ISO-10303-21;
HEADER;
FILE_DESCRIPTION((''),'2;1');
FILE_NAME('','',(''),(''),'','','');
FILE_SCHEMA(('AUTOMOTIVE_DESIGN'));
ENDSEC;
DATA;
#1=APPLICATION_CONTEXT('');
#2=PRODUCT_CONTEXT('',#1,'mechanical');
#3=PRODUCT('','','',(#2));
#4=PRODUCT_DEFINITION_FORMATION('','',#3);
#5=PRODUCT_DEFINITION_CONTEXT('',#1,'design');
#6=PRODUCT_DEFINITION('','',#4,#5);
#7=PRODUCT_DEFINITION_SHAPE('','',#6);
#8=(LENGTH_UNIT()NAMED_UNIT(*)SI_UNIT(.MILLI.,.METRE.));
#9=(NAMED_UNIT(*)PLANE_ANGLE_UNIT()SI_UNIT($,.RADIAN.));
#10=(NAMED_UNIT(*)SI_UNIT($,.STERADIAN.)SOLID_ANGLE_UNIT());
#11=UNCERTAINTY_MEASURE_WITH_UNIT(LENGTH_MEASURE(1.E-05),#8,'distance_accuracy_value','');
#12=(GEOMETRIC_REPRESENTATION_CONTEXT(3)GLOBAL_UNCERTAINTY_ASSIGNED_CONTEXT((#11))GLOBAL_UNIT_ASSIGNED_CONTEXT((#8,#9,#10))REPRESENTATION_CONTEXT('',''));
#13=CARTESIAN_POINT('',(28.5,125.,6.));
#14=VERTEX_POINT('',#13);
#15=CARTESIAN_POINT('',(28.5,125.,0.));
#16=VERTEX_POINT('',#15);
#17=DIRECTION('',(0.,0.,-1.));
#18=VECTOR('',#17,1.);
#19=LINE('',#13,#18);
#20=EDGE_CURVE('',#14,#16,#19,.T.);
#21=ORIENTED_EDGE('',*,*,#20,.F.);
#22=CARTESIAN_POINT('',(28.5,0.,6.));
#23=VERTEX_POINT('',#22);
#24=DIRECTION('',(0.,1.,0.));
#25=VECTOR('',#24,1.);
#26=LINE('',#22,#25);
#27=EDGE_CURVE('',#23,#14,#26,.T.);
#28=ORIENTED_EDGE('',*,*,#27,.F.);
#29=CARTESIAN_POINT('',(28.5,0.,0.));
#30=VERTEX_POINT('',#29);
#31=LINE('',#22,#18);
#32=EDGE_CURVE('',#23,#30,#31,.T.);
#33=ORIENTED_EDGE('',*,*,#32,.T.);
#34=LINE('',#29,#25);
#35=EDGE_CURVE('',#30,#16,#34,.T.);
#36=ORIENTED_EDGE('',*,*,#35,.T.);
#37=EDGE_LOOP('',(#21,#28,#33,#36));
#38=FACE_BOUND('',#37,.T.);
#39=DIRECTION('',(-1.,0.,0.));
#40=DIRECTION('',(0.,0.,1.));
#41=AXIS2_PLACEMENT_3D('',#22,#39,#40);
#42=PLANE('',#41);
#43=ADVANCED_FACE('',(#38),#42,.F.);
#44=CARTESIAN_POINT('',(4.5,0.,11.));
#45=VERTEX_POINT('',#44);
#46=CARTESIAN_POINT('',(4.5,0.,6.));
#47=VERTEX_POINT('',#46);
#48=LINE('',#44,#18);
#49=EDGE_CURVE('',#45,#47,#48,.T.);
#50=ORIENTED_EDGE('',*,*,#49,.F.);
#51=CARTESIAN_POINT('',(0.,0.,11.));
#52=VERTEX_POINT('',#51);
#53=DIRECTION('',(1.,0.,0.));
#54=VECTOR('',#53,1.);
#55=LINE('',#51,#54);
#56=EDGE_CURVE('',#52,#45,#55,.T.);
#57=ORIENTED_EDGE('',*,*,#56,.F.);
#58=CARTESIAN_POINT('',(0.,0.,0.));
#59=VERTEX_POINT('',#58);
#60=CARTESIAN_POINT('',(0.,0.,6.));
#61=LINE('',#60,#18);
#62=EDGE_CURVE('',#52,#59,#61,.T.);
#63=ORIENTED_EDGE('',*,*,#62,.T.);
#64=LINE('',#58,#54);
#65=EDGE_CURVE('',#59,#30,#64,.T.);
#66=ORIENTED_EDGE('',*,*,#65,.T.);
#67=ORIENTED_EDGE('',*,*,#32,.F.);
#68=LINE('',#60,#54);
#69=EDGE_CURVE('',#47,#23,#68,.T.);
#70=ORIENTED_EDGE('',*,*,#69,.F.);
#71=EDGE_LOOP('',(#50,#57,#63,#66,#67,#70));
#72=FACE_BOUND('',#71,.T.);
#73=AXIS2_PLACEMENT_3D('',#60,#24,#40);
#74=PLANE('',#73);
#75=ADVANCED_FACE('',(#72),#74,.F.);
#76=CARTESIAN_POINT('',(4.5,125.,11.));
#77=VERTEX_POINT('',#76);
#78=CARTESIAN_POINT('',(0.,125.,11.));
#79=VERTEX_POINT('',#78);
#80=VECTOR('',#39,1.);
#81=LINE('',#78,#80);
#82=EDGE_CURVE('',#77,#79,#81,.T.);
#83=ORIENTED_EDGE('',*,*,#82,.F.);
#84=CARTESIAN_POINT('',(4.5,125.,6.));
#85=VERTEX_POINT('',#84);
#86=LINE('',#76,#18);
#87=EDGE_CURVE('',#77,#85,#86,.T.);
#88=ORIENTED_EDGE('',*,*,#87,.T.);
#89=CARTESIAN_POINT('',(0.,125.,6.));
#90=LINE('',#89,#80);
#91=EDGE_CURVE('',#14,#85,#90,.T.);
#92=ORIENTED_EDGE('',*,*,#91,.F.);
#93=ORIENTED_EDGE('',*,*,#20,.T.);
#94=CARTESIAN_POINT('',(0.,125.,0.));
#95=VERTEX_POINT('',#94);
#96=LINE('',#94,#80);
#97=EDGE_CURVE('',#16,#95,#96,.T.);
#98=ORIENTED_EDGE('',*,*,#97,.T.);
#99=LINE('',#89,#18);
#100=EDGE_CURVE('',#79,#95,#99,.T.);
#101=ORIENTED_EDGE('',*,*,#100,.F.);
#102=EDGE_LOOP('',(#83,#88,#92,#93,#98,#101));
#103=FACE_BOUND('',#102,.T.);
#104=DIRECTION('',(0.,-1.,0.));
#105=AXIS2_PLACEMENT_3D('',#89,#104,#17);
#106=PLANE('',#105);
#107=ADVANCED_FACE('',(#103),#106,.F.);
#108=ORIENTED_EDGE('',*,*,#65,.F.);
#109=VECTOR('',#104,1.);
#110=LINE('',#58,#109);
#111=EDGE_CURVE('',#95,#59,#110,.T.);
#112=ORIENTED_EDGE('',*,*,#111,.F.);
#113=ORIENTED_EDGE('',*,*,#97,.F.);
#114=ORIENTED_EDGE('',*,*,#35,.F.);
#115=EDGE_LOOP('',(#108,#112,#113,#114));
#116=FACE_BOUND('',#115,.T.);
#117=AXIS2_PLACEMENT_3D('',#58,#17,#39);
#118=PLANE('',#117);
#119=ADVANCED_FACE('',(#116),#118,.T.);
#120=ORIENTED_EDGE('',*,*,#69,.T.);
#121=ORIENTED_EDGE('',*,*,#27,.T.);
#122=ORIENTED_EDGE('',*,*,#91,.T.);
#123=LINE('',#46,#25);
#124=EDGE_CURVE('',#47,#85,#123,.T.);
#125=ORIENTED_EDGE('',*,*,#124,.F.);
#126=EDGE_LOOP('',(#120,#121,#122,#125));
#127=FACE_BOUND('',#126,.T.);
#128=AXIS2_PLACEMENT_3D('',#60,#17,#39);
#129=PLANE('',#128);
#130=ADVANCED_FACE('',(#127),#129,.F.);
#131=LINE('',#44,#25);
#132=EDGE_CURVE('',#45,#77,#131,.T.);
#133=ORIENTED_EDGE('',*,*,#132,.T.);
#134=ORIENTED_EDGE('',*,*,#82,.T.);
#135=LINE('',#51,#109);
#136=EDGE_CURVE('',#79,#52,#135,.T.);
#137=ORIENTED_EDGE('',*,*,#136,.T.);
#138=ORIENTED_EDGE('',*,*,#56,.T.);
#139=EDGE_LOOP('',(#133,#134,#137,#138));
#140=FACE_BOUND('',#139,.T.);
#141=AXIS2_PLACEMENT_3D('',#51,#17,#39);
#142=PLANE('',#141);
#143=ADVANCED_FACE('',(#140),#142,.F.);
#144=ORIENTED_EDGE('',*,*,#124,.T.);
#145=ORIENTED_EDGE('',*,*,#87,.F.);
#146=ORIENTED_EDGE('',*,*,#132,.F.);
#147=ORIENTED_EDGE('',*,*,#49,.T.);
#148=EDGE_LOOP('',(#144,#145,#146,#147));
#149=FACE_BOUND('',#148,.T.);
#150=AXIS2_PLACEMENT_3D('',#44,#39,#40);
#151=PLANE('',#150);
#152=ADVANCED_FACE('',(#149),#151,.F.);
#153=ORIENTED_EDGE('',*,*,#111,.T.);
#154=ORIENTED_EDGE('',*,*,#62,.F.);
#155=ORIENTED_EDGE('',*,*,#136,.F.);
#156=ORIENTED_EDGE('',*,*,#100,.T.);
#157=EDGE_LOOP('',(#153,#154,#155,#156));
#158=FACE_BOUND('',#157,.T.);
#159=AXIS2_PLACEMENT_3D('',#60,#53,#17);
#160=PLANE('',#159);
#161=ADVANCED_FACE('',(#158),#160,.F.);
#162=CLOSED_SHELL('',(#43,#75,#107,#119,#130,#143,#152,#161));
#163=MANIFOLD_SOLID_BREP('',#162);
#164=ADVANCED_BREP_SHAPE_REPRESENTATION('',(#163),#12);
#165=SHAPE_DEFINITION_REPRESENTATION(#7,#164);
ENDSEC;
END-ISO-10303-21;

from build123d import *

# Parameters (mm, degrees)
CROQUIS1_W              = 28.5
CROQUIS1_H              = 125
SALIENTE_EXTRUIR1_DEPTH = 6
CROQUIS2_W              = 4.5
CROQUIS2_H              = 125
SALIENTE_EXTRUIR2_DEPTH = 5


with BuildPart() as part:
    # Croquis1 → Saliente-Extruir1 (new body)
    with BuildSketch(Plane.XY):
        with Locations((14.25, 62.5)):
            Rectangle(CROQUIS1_W, CROQUIS1_H)
    extrude(amount=SALIENTE_EXTRUIR1_DEPTH)

    # Croquis2 → Saliente-Extruir2 (add)
    with BuildSketch(Plane.XY.offset(6)):
        with Locations((2.25, 62.5)):
            Rectangle(CROQUIS2_W, CROQUIS2_H)
    extrude(amount=SALIENTE_EXTRUIR2_DEPTH)


solid = part.part
